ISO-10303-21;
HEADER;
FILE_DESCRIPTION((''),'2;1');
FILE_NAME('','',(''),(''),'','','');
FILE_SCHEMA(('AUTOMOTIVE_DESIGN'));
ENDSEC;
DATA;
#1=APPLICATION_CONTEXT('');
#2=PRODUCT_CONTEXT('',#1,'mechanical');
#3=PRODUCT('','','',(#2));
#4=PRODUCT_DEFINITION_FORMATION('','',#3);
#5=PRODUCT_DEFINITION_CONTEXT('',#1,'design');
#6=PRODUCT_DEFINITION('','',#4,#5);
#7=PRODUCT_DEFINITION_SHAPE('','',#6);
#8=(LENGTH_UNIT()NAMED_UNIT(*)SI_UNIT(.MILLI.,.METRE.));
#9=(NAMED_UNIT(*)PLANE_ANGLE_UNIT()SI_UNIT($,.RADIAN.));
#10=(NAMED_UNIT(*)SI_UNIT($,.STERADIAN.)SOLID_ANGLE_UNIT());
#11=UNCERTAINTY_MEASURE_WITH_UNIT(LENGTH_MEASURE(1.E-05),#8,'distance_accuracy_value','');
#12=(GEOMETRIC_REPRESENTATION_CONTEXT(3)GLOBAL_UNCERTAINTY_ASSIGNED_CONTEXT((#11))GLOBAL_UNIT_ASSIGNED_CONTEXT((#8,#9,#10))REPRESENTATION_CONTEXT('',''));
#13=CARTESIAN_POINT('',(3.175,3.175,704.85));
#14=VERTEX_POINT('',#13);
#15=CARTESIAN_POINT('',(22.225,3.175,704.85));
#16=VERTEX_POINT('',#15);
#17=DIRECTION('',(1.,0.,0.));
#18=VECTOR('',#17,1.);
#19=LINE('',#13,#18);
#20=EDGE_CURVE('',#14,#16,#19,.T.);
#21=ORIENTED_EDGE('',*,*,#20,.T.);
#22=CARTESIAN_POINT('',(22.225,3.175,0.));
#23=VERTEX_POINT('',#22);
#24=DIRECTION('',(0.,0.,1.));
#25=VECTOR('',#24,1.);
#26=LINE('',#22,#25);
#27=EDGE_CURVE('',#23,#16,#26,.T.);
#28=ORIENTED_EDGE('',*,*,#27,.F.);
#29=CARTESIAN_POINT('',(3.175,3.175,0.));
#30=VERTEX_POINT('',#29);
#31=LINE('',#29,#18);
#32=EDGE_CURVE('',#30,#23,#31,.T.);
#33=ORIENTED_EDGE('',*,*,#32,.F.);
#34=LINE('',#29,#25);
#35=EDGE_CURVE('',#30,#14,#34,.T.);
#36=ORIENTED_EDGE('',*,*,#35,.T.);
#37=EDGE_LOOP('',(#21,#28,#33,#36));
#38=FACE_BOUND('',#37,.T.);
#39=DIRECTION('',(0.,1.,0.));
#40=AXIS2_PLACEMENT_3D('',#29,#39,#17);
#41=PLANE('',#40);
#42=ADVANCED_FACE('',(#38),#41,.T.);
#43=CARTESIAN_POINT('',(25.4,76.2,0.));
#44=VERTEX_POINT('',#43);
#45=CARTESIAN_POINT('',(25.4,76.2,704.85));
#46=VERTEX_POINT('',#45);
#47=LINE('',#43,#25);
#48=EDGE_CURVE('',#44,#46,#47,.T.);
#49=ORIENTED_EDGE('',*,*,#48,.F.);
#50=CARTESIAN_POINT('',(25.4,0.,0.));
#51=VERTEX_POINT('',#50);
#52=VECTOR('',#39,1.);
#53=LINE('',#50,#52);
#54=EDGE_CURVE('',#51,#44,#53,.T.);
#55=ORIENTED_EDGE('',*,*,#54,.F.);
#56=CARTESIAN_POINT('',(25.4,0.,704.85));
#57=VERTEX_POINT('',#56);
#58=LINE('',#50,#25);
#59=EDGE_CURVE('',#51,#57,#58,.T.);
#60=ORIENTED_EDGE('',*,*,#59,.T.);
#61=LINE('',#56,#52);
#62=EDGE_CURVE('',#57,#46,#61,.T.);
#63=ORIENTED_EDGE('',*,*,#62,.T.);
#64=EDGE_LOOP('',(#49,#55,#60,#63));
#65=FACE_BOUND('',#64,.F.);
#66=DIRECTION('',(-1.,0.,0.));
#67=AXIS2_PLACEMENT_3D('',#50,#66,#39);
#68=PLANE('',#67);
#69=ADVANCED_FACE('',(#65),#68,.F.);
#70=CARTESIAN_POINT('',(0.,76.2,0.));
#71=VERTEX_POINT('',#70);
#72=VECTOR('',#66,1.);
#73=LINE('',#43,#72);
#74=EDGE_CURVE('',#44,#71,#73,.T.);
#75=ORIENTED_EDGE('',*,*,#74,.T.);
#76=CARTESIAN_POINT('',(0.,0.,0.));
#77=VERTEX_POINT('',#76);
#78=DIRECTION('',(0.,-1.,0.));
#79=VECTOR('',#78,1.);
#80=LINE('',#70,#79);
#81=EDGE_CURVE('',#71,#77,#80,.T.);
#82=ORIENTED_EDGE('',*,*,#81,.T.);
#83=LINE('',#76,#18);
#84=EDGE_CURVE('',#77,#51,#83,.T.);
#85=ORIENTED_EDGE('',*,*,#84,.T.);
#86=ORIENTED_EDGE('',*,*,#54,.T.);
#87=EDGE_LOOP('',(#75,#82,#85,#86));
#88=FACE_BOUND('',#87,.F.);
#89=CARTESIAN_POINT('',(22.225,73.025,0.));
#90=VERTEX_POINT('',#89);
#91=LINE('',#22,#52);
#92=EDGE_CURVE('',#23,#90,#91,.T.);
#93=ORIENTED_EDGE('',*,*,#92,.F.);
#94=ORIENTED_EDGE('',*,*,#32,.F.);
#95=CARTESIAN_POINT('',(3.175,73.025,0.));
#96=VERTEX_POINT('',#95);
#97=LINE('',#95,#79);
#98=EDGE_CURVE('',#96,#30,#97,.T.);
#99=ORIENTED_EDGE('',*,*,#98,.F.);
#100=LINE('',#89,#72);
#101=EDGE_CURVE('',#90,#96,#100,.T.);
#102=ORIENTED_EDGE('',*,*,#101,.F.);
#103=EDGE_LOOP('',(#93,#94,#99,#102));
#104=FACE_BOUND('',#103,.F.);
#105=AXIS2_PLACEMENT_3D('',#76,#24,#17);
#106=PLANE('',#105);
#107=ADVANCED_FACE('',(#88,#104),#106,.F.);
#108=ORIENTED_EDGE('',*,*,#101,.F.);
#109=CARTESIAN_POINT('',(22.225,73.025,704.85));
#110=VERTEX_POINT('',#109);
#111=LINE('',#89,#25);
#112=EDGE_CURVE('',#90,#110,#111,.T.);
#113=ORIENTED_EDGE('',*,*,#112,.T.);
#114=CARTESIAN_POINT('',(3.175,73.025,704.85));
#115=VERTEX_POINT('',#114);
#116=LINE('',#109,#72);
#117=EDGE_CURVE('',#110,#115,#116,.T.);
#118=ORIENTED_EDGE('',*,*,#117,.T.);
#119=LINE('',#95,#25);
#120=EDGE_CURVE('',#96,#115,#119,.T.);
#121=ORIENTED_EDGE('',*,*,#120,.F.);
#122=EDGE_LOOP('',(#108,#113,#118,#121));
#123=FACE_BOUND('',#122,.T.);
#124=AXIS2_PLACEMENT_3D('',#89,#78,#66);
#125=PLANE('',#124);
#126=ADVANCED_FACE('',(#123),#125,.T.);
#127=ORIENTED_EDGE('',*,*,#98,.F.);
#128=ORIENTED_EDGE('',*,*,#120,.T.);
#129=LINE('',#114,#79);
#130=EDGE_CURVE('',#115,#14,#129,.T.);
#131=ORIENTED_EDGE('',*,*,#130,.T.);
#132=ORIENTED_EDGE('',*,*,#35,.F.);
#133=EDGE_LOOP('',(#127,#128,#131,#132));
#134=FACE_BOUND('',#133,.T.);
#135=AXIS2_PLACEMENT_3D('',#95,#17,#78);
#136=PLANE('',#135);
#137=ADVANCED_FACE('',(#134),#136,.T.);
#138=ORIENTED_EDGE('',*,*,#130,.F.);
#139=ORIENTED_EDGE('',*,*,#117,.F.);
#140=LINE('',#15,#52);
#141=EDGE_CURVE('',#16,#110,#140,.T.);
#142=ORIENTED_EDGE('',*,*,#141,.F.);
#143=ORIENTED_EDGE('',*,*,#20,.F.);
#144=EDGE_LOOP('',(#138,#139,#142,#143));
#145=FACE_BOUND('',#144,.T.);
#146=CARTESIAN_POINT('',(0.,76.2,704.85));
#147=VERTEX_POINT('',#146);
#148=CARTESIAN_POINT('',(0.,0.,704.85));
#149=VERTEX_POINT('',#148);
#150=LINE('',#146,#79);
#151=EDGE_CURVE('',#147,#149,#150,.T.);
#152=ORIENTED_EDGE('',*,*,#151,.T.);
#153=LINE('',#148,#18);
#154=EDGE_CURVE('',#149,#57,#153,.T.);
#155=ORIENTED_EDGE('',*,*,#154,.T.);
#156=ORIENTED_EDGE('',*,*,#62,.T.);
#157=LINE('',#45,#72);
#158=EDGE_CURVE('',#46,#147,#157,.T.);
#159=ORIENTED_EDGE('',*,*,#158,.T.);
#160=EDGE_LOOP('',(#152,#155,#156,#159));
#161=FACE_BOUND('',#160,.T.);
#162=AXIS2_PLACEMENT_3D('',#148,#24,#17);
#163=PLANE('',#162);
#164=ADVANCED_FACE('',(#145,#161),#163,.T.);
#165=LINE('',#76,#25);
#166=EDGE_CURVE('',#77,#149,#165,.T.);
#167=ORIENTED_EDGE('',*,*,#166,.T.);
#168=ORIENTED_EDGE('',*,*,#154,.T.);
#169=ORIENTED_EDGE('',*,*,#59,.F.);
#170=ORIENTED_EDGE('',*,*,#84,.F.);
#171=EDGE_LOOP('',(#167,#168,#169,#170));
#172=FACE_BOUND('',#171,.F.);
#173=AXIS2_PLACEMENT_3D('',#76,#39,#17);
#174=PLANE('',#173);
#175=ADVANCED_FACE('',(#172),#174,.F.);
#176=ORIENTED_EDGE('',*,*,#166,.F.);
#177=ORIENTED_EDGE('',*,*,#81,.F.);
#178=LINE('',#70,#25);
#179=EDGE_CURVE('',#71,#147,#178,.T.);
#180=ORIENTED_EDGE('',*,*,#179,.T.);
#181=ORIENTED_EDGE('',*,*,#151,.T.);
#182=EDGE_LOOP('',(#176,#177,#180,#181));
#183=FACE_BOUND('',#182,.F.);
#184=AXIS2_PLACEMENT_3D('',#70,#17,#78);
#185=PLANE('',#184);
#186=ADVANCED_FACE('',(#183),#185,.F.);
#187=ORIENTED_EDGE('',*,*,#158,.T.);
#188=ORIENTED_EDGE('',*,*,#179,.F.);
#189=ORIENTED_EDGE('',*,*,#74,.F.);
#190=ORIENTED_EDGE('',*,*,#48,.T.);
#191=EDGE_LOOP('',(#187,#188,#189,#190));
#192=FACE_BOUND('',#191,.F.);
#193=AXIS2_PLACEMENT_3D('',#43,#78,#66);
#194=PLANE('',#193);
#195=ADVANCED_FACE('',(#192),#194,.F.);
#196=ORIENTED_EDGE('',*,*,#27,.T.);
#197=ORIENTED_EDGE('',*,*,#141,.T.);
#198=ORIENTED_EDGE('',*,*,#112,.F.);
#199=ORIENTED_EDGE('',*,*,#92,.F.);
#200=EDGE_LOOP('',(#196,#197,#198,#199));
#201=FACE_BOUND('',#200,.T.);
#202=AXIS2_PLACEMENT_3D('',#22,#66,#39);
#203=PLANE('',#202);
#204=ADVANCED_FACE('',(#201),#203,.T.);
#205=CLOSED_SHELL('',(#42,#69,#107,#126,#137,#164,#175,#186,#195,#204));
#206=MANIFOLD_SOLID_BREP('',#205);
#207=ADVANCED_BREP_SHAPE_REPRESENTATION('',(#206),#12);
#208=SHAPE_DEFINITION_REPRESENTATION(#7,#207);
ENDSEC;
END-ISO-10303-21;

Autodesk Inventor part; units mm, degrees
ref_plane "YZ Plane" through (0, 0, 0) normal (1, 0, 0) x (0, 1, 0)
ref_plane "XZ Plane" through (0, 0, 0) normal (0, 1, 0) x (-1, 0, 0)
ref_plane "XY Plane" through (0, 0, 0) normal (0, 0, 1) x (1, 0, 0)
sketch "Sketch1" plane through (0, 0, 0) normal (0, 0, 1) x (1, 0, 0)
  line L0 (0, 0) -> (25.4, 0)
  line L1 (25.4, 0) -> (25.4, 76.2)
  line L2 (25.4, 76.2) -> (0, 76.2)
  line L3 (0, 76.2) -> (0, 0)
  line L4 (3.175, 3.175) -> (22.225, 3.175)
  line L5 (22.225, 3.175) -> (22.225, 73.025)
  line L6 (22.225, 73.025) -> (3.175, 73.025)
  line L7 (3.175, 73.025) -> (3.175, 3.175)
  dimension "d0" = 76.2
  dimension "d1" = 25.4
  dimension "d2" = 3.175
  dimension "d3" = 3.175
  dimension "d4" = 3.175
  dimension "d5" = 3.175
extrude "Extrusion1" add sketch "Sketch1" along normal blind 704.85
equation "\"d3\" = d2"
equation "\"d4\" = d5"
equation "\"d5\" = d3"
properties part number "frame tube 1 by 3in"
